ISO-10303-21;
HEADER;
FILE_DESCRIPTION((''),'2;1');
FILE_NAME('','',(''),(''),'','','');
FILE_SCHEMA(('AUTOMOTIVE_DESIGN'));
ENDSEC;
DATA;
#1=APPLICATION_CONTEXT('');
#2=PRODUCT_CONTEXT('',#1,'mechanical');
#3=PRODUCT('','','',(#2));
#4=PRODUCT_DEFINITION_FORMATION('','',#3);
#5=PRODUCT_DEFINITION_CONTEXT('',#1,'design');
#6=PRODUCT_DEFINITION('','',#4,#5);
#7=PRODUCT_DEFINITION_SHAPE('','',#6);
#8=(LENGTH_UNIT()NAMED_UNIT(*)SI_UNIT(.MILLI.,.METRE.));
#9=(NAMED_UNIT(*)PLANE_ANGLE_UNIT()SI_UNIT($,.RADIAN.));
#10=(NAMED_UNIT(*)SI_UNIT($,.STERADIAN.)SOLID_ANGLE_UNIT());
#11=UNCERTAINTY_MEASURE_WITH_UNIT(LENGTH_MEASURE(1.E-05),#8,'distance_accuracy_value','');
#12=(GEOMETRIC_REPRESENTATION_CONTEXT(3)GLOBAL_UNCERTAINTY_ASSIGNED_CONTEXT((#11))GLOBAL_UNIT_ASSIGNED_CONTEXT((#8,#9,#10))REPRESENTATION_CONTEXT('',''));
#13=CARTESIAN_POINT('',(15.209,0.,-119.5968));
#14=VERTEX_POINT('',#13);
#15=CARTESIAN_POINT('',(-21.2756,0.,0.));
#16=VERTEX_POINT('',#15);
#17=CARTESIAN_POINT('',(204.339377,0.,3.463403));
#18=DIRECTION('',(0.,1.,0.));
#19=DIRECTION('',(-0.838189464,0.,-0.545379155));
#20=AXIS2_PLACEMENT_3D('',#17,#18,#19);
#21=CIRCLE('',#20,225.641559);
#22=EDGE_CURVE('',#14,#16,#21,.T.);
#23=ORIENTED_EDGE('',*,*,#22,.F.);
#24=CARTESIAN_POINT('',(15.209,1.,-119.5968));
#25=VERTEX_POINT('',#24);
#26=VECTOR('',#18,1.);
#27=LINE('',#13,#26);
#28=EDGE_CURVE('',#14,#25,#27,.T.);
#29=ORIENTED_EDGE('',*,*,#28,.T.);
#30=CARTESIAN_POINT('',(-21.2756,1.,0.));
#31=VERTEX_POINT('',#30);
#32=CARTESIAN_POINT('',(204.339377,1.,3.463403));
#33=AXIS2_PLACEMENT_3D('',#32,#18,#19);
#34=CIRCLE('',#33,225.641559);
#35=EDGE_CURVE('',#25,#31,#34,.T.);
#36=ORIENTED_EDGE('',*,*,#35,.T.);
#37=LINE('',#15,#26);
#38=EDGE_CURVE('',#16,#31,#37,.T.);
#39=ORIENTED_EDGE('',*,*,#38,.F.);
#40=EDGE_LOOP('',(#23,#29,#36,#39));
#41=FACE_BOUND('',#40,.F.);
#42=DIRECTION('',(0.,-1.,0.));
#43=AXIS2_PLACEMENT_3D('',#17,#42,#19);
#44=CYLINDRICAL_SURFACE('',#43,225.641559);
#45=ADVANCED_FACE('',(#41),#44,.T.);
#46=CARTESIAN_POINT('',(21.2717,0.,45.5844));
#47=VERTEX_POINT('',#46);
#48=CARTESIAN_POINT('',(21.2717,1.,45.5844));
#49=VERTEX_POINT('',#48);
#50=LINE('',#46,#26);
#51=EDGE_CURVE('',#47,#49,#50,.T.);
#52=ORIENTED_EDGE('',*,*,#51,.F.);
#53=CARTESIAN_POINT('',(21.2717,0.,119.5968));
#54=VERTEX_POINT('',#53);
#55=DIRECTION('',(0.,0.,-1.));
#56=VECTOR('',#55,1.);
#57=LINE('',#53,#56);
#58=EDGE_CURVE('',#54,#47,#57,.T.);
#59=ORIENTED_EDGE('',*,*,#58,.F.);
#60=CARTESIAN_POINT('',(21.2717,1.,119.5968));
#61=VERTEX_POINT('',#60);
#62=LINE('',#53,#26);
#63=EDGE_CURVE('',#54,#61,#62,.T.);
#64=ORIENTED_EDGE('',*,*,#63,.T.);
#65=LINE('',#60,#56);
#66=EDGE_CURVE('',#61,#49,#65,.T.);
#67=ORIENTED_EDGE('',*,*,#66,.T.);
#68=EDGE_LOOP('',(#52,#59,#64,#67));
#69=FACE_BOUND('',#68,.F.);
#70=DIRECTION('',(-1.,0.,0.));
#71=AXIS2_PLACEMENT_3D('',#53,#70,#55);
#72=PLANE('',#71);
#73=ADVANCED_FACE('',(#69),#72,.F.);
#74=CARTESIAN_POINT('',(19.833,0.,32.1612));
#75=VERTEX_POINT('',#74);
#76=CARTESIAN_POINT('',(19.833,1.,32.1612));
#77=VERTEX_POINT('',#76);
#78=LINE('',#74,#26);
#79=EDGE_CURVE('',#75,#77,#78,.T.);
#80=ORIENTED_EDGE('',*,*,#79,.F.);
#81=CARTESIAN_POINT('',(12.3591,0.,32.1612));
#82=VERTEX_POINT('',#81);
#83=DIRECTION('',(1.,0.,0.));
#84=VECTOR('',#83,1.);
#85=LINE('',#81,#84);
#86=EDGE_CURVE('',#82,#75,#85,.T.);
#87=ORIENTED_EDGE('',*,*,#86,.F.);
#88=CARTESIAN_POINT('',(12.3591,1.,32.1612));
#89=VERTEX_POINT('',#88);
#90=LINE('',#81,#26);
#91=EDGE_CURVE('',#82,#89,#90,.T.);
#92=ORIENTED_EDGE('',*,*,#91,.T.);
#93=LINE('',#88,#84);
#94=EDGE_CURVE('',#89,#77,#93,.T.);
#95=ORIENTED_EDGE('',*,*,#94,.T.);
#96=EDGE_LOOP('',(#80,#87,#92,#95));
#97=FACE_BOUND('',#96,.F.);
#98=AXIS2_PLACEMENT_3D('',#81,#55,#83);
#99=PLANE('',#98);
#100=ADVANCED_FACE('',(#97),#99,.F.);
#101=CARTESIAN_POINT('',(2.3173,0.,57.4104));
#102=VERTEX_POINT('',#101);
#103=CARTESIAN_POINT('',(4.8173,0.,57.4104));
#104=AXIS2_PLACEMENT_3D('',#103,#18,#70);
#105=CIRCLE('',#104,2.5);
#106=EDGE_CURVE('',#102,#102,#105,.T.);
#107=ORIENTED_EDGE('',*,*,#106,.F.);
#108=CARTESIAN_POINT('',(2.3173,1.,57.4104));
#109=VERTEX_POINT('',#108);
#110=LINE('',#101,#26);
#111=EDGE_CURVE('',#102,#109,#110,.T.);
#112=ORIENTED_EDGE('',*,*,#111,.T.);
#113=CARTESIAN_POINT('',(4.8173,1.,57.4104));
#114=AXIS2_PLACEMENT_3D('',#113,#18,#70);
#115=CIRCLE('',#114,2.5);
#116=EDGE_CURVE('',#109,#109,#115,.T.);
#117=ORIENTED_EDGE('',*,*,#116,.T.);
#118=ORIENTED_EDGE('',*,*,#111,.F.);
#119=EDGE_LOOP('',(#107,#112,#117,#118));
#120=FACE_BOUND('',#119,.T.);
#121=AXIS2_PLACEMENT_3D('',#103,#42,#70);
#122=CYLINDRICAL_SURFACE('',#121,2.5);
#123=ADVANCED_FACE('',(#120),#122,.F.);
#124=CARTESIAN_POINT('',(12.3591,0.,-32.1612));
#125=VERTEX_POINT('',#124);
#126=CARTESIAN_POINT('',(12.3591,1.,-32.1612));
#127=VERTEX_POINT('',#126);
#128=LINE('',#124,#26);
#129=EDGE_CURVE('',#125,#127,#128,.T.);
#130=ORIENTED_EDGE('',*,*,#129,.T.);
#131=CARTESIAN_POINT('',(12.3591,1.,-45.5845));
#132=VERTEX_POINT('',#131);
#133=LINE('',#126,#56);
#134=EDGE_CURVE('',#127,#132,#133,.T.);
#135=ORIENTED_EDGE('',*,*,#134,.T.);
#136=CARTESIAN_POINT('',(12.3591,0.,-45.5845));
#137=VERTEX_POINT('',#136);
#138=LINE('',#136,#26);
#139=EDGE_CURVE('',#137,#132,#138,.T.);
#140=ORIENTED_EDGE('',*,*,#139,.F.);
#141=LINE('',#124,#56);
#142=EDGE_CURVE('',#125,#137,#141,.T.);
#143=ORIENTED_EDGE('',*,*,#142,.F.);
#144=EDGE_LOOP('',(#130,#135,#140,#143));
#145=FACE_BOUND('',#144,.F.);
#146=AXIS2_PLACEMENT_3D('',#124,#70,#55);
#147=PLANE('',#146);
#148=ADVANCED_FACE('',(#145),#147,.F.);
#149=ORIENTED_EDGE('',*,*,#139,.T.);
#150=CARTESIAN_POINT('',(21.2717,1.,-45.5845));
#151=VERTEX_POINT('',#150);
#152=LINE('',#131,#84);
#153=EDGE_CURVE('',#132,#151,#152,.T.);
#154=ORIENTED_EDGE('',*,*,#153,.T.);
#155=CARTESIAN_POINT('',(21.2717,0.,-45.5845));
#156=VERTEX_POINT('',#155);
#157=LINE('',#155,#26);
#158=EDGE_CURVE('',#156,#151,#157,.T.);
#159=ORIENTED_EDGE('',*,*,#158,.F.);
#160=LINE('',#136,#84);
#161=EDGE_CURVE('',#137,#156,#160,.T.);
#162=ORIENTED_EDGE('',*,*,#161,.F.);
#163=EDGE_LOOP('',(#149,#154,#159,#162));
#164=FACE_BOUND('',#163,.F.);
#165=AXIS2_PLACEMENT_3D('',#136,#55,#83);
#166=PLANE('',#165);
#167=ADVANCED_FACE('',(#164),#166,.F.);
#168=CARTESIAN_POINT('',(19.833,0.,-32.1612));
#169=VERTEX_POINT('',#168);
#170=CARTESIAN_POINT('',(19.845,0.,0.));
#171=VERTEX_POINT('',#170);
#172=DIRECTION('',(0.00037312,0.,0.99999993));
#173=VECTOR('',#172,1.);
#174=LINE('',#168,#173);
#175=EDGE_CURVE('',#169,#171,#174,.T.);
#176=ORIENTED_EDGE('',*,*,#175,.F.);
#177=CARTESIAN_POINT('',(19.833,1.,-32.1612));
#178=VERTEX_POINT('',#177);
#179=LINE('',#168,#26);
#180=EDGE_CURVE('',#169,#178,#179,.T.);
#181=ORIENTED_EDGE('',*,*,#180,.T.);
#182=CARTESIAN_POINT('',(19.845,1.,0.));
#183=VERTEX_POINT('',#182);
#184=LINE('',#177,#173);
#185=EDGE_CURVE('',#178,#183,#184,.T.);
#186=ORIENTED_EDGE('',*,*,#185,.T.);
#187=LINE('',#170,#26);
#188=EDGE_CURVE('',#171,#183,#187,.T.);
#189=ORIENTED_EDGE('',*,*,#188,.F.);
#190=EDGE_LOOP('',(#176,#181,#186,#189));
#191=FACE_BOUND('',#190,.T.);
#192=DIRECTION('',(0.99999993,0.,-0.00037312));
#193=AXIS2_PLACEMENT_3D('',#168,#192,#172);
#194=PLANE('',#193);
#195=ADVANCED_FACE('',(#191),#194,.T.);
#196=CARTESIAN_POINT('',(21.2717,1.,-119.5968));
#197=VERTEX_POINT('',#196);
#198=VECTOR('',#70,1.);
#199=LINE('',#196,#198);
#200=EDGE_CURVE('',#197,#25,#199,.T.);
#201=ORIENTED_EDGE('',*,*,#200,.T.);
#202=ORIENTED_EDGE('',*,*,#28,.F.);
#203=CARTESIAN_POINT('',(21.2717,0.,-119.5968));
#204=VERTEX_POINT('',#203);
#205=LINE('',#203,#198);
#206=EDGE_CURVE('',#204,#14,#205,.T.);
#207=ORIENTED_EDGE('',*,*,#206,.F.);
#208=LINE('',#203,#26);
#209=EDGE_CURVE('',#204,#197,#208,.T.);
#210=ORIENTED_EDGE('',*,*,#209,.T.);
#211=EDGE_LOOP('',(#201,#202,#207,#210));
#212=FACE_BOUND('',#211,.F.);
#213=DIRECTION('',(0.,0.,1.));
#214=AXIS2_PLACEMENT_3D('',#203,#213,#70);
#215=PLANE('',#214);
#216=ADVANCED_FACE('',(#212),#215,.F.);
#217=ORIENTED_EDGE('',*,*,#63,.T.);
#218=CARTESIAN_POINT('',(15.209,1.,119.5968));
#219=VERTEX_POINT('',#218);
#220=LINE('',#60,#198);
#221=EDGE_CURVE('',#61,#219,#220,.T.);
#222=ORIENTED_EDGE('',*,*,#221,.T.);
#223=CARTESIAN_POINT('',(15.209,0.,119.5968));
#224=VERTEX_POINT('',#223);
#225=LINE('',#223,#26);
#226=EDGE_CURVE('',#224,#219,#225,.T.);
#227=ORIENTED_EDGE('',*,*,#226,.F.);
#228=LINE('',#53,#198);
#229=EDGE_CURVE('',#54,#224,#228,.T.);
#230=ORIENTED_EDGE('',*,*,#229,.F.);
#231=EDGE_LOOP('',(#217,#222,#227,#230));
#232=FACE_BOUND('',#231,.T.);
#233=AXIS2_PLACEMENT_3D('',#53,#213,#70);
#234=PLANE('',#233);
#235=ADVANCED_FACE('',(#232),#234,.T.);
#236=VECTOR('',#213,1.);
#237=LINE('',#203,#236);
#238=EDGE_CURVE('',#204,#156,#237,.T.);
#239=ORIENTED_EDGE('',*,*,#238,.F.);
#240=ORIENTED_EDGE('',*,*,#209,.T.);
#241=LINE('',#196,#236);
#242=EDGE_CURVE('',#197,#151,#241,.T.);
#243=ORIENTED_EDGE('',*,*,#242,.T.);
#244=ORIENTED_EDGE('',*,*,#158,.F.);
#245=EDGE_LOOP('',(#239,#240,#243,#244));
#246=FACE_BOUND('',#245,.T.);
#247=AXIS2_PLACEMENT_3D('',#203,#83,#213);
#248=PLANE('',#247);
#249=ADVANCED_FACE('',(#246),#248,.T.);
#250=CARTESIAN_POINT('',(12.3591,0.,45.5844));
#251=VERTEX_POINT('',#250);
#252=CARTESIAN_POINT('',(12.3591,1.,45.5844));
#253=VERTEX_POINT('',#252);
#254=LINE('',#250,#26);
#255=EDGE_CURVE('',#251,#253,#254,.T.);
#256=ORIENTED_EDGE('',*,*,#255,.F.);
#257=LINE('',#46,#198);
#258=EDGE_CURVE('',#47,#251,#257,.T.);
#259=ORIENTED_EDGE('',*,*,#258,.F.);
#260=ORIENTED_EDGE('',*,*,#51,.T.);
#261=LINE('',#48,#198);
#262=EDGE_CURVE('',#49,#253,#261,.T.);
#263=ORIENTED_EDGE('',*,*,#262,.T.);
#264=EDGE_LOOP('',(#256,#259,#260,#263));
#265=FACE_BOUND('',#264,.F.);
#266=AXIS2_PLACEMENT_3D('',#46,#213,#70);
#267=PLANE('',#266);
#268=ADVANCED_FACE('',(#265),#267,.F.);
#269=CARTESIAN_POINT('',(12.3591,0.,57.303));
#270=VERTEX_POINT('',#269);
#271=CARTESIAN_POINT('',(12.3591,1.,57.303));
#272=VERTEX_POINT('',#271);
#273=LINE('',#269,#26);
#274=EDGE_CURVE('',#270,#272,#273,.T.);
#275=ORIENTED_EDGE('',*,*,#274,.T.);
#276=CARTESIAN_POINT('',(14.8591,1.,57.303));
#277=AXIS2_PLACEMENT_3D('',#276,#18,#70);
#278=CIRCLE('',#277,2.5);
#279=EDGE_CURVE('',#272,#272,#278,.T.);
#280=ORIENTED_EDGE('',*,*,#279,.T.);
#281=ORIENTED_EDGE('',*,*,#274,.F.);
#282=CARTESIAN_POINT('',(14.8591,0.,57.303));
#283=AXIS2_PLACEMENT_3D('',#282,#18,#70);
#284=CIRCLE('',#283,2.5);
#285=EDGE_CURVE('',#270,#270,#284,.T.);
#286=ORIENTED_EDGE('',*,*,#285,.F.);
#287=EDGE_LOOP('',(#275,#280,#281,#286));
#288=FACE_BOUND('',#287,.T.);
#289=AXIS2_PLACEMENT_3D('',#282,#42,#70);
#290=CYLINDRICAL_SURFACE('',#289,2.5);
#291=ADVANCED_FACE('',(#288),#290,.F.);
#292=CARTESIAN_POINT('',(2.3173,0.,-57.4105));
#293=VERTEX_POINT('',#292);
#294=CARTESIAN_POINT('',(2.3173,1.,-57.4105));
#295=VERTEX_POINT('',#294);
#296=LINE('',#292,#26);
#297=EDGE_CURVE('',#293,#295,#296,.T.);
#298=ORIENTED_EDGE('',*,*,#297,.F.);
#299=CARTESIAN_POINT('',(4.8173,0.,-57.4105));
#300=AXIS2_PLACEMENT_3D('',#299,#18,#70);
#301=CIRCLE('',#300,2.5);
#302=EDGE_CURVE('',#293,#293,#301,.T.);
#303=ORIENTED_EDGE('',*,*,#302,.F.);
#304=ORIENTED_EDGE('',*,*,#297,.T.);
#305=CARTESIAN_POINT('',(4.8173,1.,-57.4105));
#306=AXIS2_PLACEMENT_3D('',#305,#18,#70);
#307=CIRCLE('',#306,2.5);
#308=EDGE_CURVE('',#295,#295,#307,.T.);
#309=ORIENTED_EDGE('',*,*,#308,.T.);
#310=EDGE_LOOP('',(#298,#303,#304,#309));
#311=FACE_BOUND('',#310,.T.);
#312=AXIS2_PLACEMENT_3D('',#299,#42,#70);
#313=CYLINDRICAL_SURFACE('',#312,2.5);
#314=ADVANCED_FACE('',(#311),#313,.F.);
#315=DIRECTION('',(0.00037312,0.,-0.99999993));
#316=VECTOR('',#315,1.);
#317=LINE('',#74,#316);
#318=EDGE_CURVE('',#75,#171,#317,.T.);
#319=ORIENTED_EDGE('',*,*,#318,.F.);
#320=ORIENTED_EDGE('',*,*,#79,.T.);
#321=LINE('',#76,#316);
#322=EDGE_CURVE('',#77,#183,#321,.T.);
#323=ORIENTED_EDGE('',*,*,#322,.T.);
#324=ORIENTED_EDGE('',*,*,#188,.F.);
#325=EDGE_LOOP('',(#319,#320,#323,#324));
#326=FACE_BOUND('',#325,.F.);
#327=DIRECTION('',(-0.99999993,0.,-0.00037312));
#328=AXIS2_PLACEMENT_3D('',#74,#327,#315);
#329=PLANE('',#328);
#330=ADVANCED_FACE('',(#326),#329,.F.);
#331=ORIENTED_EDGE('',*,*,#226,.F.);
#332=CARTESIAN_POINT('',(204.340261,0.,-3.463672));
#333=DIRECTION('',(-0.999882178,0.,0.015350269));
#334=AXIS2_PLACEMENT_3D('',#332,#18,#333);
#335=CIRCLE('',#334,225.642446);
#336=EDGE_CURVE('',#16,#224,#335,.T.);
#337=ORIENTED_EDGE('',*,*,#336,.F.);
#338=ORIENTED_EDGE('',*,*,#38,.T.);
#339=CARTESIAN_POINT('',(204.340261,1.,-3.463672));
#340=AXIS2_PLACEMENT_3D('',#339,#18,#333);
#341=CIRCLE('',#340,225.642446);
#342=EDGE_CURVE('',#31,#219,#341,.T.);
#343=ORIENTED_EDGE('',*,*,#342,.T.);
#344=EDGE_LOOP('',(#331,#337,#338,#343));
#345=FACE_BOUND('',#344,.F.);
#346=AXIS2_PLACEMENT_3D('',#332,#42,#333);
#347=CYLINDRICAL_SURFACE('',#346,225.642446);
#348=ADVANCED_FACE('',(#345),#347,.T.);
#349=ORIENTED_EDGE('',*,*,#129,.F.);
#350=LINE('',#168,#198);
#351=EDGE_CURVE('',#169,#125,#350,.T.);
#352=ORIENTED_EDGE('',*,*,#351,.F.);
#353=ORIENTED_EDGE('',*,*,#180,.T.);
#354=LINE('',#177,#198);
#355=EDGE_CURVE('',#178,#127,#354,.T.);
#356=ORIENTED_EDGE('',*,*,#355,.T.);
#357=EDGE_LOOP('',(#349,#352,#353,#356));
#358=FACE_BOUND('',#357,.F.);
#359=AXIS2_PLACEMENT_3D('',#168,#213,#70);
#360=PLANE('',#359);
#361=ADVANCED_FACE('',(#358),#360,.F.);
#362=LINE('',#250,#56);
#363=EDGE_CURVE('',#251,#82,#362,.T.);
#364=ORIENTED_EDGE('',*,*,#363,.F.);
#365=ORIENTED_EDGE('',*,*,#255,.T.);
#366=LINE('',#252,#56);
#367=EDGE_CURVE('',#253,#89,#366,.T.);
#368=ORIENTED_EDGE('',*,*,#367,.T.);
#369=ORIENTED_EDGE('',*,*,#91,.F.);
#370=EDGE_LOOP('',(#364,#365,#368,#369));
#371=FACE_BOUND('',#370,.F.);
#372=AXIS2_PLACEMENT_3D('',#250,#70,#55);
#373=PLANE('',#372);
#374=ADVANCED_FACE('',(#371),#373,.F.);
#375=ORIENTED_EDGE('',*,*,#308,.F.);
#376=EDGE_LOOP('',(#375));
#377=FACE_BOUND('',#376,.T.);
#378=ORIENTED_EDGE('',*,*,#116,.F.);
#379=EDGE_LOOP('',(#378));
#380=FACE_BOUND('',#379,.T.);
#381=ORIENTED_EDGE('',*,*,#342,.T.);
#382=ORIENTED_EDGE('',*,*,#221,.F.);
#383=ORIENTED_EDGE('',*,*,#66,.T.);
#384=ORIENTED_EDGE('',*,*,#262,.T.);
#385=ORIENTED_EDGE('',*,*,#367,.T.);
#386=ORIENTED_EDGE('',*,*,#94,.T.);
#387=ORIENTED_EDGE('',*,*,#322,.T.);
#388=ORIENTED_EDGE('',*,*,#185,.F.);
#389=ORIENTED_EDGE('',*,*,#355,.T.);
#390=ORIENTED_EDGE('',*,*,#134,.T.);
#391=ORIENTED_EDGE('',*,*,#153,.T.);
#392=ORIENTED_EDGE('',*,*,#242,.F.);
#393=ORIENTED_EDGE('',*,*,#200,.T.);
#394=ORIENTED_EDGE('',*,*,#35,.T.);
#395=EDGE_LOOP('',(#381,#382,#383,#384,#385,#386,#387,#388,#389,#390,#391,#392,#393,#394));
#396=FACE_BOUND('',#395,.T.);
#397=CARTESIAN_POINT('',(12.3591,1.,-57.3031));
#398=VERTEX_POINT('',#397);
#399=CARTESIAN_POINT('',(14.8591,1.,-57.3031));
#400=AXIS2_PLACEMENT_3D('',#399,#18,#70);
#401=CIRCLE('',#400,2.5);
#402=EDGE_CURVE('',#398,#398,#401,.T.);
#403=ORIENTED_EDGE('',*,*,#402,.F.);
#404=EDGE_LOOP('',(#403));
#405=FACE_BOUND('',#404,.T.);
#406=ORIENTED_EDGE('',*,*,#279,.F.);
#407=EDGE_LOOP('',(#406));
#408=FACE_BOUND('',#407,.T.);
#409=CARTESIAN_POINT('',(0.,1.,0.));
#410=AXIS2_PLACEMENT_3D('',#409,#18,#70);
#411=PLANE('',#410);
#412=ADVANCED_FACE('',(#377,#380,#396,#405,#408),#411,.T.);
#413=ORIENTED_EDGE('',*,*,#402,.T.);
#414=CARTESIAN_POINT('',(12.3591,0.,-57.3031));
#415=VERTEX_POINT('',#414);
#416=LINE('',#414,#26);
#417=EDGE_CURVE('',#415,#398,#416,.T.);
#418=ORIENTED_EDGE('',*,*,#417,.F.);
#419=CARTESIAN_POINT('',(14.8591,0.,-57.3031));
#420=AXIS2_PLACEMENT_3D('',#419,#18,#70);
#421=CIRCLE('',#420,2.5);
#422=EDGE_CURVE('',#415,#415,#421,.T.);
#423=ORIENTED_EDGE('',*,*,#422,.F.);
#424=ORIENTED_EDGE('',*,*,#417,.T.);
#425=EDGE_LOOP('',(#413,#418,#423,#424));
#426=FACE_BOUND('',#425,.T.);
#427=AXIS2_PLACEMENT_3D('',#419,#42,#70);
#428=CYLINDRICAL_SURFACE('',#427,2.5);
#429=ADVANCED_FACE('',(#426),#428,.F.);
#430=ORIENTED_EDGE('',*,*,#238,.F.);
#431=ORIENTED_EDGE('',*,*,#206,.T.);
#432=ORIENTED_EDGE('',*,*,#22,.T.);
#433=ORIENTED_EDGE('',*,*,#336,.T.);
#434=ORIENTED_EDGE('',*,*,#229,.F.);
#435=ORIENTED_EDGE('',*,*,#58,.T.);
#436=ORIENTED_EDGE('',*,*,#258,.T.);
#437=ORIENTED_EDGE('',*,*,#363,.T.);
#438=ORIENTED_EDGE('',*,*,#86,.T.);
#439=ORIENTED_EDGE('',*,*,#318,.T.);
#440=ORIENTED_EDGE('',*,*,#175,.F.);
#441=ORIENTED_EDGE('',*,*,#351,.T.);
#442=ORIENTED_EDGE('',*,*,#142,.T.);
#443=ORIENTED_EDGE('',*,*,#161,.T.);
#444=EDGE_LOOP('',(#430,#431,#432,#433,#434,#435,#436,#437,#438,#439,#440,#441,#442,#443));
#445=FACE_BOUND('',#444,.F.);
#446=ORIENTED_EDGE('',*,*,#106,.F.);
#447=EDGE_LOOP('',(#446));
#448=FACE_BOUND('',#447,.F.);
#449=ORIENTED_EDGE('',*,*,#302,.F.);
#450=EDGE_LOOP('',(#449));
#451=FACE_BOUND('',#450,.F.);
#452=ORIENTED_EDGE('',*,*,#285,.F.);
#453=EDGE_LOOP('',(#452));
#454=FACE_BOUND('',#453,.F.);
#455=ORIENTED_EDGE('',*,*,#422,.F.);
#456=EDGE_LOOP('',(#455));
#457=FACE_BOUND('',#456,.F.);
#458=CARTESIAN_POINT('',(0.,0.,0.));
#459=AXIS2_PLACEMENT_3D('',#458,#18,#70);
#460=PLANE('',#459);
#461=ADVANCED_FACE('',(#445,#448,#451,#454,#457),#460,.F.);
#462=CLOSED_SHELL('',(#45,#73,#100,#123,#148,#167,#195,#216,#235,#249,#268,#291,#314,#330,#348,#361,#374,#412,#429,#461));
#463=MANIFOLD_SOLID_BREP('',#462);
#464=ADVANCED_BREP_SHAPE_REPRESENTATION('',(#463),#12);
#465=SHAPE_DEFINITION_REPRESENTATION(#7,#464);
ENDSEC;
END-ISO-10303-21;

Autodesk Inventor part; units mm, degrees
ref_plane "YZ Plane" through (0, 0, 0) normal (1, 0, 0) x (0, 1, 0)
ref_plane "XZ Plane" through (0, 0, 0) normal (0, 1, 0) x (-1, 0, 0)
ref_plane "XY Plane" through (0, 0, 0) normal (0, 0, 1) x (1, 0, 0)
sketch "Esboço1" plane through (0, 0, 0) normal (0, 1, 0) x (-1, 0, 0)
  line L0 (-21.2717, 119.5968) -> (-21.2717, 45.5844)
  line L1 (-19.833, 32.1612) -> (-19.845, 0)
  line L2 (-19.845, 0) -> (21.2756, 0)
  arc A0 (21.2756, 0) -> (-15.209, 119.5968) centre (-204.3398, -3.4636) ccw
  circle A1 centre (-4.8173, 57.4104) radius 2.5
  circle A2 centre (-14.8591, 57.303) radius 2.5
  arc A3 (-15.209, -119.5968) -> (21.2756, 0) centre (-204.3398, 3.4636) ccw
  line L3 (-21.2717, -119.5968) -> (-21.2717, -45.5845)
  circle A4 centre (-4.8173, -57.4105) radius 2.5
  circle A5 centre (-14.8591, -57.3031) radius 2.5
  line L4 (-19.833, -32.1612) -> (-19.845, 0)
  line L5 (-21.2717, 45.5844) -> (-12.3591, 45.5844)
  line L6 (-12.3591, 45.5844) -> (-12.3591, 32.1612)
  line L7 (-12.3591, 32.1612) -> (-19.833, 32.1612)
  line L8 (-19.833, -32.1612) -> (-12.3591, -32.1612)
  line L9 (-12.3591, -32.1612) -> (-12.3591, -45.5845)
  line L10 (-12.3591, -45.5845) -> (-21.2717, -45.5845)
  line L11 (-21.2717, -119.5968) -> (-15.209, -119.5968)
  line L12 (-21.2717, 119.5968) -> (-15.209, 119.5968)
  point P0 (0, 0)
  dimension "d0" = 5
  dimension "d1" = 5
extrude "Extrusão1" add sketch "Esboço1" along normal blind 1
properties part number "sensor3"
